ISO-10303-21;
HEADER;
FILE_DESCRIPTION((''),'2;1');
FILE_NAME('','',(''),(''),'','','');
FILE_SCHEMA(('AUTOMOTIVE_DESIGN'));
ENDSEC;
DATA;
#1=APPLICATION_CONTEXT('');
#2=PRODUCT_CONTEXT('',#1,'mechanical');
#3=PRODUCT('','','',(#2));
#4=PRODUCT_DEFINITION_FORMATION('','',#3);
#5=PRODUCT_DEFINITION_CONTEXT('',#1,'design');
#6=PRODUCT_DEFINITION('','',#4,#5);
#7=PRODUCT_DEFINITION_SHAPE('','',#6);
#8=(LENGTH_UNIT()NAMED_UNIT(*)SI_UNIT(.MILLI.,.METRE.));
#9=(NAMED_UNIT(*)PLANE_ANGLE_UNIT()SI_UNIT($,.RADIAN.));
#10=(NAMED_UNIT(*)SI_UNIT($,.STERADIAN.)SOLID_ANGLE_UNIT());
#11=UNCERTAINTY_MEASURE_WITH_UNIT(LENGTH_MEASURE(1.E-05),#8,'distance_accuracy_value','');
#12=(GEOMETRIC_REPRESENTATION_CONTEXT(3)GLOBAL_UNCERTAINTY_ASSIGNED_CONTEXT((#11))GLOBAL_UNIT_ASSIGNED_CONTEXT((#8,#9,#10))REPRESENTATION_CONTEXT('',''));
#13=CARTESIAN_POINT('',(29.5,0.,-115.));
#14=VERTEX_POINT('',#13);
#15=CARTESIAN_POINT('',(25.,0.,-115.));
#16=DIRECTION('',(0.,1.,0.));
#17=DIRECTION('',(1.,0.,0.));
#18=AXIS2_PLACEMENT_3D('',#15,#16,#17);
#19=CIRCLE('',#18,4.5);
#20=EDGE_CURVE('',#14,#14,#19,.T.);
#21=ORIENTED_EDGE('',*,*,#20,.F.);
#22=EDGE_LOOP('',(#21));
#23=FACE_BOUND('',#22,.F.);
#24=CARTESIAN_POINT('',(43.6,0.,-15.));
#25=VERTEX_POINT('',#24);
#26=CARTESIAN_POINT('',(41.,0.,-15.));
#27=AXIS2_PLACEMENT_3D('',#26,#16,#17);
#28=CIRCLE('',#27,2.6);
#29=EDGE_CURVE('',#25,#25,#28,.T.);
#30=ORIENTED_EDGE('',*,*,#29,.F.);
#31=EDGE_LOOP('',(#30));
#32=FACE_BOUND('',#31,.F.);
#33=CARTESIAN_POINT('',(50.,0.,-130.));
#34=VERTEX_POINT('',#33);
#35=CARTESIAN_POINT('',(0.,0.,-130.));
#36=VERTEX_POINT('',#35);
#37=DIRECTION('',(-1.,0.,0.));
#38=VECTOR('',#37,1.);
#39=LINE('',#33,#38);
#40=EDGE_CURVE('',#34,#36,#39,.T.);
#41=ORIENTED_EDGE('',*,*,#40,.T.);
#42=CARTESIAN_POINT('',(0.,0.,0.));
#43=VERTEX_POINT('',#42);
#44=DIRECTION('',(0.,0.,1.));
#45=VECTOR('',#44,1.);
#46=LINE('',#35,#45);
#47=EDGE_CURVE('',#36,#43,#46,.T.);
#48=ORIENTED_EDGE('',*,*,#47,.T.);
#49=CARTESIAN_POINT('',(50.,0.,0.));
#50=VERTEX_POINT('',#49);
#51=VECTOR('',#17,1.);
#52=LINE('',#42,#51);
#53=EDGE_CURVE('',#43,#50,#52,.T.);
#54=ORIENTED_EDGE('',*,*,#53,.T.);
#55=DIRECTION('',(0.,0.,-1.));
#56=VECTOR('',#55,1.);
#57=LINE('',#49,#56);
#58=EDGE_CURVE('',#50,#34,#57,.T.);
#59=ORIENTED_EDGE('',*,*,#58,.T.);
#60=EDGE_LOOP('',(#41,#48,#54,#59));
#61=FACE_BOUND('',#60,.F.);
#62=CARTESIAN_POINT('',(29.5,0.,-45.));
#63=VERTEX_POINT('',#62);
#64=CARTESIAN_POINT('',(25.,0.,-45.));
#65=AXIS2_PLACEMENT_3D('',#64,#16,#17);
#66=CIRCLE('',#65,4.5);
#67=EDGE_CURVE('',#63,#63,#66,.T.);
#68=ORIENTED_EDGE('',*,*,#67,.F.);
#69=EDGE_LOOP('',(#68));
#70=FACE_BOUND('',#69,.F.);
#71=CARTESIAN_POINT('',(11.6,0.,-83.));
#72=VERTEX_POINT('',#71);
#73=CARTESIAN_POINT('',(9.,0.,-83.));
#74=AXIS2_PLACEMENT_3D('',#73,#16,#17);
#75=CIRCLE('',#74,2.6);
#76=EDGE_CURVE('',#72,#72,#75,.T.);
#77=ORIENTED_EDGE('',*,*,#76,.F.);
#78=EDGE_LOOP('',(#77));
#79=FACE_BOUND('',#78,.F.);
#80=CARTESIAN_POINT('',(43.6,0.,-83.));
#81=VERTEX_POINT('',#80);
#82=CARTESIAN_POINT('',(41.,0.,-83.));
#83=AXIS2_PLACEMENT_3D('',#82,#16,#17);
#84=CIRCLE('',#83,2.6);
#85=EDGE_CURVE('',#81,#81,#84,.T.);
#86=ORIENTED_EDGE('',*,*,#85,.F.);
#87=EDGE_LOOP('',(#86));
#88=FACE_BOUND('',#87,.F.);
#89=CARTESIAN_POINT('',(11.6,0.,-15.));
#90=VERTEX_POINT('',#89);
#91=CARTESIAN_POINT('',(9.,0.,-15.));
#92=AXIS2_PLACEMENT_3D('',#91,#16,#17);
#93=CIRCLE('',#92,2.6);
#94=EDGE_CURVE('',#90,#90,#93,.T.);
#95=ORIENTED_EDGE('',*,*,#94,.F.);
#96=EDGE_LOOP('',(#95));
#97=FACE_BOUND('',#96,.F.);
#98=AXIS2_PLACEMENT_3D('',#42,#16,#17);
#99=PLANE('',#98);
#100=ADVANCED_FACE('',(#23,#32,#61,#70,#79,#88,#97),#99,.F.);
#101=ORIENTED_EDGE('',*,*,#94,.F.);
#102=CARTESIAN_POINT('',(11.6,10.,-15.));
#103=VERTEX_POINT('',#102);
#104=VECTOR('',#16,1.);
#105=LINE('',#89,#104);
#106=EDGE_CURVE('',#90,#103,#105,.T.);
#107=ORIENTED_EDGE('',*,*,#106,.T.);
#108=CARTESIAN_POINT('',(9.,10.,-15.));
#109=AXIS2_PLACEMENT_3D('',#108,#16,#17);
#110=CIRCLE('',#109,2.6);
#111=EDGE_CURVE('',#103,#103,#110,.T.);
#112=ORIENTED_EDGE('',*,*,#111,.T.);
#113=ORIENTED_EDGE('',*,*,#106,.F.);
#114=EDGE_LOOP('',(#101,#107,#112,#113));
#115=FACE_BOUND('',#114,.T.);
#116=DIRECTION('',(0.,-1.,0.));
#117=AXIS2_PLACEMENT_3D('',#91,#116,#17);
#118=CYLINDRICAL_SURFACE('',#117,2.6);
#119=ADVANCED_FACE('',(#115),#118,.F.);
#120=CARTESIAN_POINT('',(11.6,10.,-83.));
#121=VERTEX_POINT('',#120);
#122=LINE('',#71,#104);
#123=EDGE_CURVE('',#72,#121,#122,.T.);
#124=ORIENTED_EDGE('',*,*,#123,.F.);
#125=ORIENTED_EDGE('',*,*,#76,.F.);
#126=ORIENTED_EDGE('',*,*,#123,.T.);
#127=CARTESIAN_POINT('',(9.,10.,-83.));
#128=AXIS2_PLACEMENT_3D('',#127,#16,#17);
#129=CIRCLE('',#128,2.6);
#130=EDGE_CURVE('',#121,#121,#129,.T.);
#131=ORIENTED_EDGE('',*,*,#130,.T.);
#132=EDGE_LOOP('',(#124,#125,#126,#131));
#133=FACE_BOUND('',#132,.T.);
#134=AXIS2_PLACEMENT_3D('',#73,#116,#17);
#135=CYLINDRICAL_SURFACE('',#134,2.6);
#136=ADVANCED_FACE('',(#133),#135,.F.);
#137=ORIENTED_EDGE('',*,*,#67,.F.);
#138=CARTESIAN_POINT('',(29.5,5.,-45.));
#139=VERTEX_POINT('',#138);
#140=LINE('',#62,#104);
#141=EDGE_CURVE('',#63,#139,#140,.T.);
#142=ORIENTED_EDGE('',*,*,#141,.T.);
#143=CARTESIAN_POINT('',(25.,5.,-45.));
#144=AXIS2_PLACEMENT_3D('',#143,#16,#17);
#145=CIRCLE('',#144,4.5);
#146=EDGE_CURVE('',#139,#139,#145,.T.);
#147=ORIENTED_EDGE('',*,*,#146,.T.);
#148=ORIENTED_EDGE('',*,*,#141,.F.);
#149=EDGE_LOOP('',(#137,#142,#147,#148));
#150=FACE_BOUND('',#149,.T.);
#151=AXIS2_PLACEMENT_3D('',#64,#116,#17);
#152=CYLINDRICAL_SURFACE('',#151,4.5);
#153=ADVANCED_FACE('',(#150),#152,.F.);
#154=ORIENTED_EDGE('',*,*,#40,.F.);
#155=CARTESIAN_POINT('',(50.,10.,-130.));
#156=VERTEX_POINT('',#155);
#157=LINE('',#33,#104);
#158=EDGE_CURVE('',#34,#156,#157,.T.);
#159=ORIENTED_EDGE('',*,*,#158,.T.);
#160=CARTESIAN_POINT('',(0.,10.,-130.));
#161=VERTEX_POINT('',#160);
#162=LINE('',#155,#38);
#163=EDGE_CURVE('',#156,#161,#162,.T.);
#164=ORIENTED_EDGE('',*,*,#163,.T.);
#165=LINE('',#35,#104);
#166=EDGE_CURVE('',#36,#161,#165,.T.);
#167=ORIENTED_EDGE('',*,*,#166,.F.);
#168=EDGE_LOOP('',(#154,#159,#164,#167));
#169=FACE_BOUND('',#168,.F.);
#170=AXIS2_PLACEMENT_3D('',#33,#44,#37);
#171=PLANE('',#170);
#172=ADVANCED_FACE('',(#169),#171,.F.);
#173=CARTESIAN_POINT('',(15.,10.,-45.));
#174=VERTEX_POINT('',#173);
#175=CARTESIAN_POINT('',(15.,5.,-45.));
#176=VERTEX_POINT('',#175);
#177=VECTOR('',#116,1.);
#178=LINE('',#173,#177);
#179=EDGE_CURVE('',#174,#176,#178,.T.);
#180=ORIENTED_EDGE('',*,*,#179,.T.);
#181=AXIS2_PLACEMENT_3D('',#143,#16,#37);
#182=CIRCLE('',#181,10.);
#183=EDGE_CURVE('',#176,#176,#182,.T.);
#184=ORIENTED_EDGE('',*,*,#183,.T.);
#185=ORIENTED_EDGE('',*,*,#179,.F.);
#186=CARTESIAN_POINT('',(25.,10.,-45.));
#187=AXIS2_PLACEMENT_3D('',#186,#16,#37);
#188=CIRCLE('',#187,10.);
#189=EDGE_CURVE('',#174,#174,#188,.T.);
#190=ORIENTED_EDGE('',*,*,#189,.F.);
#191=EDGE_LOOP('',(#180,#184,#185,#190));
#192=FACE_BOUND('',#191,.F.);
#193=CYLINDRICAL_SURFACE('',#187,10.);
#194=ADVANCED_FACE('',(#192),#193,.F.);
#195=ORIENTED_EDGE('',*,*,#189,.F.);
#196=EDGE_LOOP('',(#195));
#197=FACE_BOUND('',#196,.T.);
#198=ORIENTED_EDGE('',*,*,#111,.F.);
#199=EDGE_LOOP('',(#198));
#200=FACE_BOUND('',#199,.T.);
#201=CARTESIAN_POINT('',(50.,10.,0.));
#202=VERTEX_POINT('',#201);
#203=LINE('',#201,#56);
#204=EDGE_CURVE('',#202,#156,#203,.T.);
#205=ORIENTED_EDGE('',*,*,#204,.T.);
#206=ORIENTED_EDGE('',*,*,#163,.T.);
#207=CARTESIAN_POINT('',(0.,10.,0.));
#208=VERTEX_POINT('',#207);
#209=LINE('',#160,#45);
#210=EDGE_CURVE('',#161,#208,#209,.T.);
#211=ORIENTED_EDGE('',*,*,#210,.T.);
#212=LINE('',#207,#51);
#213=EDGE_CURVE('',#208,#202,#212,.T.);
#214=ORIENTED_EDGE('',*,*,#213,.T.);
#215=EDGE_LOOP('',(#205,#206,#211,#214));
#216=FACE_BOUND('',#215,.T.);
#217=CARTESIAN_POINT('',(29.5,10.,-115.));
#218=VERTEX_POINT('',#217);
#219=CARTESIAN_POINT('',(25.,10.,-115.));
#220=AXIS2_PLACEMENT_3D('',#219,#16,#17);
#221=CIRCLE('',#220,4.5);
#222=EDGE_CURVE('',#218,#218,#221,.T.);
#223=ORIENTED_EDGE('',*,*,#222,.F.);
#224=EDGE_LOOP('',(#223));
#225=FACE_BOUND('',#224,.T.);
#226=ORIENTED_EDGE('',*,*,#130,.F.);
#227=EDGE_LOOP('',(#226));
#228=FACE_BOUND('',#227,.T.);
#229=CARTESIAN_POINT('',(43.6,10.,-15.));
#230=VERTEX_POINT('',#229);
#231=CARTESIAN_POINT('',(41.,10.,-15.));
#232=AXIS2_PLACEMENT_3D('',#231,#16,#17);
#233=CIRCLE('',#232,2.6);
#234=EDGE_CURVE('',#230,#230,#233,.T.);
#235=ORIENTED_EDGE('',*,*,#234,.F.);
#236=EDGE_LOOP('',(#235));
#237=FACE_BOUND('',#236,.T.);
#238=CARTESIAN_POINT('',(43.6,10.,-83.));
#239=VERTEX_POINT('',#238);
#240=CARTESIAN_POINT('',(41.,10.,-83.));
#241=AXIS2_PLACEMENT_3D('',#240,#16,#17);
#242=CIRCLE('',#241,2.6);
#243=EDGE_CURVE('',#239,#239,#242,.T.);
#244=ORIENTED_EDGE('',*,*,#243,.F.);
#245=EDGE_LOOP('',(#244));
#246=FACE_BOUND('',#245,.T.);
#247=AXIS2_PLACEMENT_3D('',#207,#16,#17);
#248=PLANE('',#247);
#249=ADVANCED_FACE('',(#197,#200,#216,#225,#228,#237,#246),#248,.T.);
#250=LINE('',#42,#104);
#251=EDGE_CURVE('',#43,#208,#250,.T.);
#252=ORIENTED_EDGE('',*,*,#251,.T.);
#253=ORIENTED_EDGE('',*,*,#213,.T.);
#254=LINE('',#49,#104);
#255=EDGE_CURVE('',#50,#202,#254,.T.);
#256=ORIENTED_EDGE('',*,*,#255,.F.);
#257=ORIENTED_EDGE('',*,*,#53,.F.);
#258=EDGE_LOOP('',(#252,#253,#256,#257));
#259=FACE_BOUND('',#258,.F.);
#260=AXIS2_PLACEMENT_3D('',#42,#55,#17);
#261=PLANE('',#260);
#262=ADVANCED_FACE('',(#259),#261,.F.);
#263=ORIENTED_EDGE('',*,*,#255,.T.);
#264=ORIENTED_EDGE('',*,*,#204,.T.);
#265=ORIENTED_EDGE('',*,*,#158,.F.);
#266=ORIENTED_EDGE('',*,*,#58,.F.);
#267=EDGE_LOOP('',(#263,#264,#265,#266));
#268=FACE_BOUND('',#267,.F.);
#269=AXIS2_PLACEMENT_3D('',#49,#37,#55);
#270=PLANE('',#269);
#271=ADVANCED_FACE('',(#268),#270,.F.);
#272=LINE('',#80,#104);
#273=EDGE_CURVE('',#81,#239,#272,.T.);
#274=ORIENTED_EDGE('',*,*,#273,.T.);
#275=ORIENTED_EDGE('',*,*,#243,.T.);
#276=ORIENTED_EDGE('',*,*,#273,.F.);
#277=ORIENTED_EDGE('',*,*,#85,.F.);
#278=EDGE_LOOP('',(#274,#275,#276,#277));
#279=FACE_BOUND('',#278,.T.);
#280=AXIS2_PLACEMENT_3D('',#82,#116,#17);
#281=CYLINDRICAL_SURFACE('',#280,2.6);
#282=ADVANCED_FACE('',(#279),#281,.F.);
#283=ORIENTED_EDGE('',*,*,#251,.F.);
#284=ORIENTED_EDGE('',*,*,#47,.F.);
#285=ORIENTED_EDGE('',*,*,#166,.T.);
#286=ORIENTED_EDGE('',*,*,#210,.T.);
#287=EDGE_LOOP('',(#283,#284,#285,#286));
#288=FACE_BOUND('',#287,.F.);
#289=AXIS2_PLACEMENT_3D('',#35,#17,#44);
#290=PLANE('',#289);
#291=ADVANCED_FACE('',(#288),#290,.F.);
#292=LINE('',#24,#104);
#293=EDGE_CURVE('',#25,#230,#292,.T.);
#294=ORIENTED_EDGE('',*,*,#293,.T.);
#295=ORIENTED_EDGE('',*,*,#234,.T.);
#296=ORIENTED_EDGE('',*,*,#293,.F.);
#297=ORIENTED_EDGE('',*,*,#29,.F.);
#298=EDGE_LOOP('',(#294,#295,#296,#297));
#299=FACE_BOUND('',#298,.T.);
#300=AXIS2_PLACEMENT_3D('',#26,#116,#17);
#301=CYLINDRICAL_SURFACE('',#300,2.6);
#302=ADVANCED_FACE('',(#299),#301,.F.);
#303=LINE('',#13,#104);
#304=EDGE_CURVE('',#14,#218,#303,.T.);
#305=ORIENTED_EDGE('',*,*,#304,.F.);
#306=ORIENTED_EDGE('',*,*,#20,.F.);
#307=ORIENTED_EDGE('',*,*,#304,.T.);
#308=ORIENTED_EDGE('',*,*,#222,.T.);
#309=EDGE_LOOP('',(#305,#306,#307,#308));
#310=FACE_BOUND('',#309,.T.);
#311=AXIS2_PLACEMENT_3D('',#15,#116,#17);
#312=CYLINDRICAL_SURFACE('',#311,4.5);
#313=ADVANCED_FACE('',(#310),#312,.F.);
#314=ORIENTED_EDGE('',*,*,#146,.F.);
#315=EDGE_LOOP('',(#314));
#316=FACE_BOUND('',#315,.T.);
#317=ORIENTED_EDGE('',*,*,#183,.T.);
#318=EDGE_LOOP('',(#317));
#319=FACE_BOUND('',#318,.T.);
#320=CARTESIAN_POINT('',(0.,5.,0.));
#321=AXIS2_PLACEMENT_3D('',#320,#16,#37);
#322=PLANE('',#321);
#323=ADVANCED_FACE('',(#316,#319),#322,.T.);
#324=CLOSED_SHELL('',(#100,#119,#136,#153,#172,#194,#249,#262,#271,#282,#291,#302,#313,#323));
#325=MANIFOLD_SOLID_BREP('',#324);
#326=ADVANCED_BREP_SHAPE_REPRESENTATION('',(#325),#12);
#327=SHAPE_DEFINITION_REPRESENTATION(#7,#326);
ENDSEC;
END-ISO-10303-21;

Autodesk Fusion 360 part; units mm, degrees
sketch "Esquisse1" plane through (0, 0, 0) normal (0, 1, 0) x (1, 0, 0)
  line L0 (0, 0) -> (50, 0)
  line L1 (50, 0) -> (50, 130)
  line L2 (50, 130) -> (0, 130)
  line L3 (0, 130) -> (0, 0)
  circle A0 centre (25, 45) radius 4.5
  circle A1 centre (25, 115) radius 4.5
  circle A2 centre (9, 83) radius 2.6
  circle A3 centre (41, 83) radius 2.6
  circle A4 centre (9, 15) radius 2.6
  circle A5 centre (41, 15) radius 2.6
  dimension "d1" = 50
  dimension "d2" = 130
  dimension "d3" = 9
  dimension "d4" = 9
  dimension "d5" = 5.2
  dimension "d6" = 5.2
  dimension "d7" = 5.2
  dimension "d8" = 5.2
  dimension "d9" = 25
  dimension "d10" = 25
  dimension "d11" = 15
  dimension "d12" = 15
  dimension "d13" = 30
  dimension "d14" = 15
  dimension "d15" = 32
  dimension "d16" = 32
  dimension "d17" = 32
  dimension "d18" = 32
  dimension "d19" = 9
  dimension "d20" = 9
extrude "Extrusion2" add sketch "Esquisse1" along normal blind 10
sketch "Esquisse7" plane through (0, 10, 0) normal (0, 1, 0) x (-1, 0, 0)
  circle A0 centre (-41, -15) radius 2.6
  circle A1 centre (-9, -15) radius 2.6
  circle A2 centre (-41, -83) radius 2.6
  circle A3 centre (-9, -83) radius 2.6
  circle A4 centre (-25, -115) radius 4.5
  circle A5 centre (-25, -45) radius 4.5
  line L0 (0, -130) -> (0, 0)
  line L1 (0, 0) -> (-50, 0)
  line L2 (-50, 0) -> (-50, -130)
  line L3 (-50, -130) -> (0, -130)
  circle A6 centre (-25, -45) radius 10
  dimension "d28" = 20
extrude "Extrusion3" cut sketch "Esquisse7" against normal blind 5 contours A6
